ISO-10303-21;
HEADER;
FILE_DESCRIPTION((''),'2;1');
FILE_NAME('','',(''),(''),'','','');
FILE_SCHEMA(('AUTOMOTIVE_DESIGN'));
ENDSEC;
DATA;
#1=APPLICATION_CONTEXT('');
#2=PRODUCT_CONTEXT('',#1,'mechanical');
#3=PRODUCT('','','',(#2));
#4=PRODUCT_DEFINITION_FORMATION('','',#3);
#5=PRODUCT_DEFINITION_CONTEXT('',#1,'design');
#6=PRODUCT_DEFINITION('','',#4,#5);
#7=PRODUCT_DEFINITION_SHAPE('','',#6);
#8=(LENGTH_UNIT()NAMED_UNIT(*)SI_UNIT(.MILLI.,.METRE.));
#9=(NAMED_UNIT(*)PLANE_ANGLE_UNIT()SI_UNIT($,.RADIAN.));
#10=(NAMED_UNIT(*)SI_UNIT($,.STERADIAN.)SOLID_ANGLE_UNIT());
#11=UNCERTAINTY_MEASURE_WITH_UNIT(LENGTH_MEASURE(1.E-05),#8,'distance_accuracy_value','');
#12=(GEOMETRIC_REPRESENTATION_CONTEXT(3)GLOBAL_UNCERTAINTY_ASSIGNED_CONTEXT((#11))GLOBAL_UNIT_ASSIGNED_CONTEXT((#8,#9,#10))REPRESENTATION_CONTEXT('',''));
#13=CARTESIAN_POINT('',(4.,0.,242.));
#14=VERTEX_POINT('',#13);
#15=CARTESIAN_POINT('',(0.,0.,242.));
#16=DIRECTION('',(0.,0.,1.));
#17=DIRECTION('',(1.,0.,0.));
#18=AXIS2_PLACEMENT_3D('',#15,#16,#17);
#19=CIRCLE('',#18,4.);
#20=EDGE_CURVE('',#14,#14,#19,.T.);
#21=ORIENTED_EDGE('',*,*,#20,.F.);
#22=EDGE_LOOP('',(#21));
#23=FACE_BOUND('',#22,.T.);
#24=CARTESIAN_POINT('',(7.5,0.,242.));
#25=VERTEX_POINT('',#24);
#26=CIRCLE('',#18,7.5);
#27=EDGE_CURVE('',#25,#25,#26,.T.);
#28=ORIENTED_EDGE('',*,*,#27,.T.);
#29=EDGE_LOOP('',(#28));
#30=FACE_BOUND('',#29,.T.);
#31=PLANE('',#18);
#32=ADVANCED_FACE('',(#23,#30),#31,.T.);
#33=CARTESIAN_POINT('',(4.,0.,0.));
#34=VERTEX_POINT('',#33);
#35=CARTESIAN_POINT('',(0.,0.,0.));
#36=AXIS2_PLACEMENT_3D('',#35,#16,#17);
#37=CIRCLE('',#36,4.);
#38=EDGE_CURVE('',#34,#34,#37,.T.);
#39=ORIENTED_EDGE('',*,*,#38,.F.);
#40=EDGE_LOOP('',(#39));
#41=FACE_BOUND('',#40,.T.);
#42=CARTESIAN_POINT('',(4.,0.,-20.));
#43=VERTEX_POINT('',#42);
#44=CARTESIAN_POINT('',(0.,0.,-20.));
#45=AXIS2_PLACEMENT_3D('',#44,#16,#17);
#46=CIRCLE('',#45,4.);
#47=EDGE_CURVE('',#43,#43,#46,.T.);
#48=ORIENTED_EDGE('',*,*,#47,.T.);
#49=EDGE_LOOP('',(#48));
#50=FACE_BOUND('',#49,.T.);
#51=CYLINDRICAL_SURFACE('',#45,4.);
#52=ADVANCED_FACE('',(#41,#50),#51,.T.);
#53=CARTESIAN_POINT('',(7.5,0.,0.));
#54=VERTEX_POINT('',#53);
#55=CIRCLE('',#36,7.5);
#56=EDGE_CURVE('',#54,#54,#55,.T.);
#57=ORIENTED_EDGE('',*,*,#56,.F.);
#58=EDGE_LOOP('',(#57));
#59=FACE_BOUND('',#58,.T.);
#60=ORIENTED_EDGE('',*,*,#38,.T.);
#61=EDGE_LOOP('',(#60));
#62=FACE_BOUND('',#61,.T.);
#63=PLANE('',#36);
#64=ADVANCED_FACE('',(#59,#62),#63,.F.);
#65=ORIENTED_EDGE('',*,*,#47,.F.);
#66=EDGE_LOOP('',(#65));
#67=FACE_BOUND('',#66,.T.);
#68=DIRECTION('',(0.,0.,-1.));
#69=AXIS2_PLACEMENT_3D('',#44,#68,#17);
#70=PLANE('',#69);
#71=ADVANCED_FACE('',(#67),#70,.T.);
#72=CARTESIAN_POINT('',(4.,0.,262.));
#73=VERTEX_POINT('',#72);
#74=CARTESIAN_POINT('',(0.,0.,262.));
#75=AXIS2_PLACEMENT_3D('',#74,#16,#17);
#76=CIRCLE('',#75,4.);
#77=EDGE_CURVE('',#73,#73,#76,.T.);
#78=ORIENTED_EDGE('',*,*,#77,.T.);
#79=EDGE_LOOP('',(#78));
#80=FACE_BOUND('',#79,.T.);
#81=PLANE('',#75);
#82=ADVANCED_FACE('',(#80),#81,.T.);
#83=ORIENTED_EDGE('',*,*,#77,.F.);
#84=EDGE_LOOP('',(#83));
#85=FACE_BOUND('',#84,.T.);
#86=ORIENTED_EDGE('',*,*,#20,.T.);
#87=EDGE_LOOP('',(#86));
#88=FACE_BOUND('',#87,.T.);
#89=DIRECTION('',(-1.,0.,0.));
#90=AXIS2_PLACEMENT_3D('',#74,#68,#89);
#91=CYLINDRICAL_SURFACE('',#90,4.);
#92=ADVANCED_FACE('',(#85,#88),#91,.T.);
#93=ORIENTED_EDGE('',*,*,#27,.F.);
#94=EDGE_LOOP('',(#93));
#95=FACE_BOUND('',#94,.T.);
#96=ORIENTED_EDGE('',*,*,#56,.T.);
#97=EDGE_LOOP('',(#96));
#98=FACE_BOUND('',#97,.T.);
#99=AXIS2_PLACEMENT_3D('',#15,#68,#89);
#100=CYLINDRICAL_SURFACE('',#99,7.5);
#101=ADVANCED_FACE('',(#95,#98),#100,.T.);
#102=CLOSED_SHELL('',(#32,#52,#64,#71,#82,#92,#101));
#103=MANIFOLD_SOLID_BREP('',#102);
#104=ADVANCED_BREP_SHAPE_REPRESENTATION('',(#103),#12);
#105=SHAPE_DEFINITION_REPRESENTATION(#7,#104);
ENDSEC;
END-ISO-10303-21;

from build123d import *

# Parameters (mm, degrees)
SKETCH1_R           = 7.5
BOSS_EXTRUDE1_DEPTH = 242
SKETCH2_R           = 4
BOSS_EXTRUDE2_DEPTH = 20


with BuildPart() as part:
    # Sketch1 → Boss-Extrude1 (new body)
    with BuildSketch(Plane.XY):
        Circle(SKETCH1_R)
    extrude(amount=BOSS_EXTRUDE1_DEPTH)

    # Sketch2 → Boss-Extrude2 (add)
    with BuildSketch(Plane.XY.offset(242)):
        Circle(SKETCH2_R)
    boss_extrude2 = extrude(amount=BOSS_EXTRUDE2_DEPTH)

    # Mirror1: Boss-Extrude2 across plane
    add(boss_extrude2.mirror(Plane.XY.offset(121)))


solid = part.part
